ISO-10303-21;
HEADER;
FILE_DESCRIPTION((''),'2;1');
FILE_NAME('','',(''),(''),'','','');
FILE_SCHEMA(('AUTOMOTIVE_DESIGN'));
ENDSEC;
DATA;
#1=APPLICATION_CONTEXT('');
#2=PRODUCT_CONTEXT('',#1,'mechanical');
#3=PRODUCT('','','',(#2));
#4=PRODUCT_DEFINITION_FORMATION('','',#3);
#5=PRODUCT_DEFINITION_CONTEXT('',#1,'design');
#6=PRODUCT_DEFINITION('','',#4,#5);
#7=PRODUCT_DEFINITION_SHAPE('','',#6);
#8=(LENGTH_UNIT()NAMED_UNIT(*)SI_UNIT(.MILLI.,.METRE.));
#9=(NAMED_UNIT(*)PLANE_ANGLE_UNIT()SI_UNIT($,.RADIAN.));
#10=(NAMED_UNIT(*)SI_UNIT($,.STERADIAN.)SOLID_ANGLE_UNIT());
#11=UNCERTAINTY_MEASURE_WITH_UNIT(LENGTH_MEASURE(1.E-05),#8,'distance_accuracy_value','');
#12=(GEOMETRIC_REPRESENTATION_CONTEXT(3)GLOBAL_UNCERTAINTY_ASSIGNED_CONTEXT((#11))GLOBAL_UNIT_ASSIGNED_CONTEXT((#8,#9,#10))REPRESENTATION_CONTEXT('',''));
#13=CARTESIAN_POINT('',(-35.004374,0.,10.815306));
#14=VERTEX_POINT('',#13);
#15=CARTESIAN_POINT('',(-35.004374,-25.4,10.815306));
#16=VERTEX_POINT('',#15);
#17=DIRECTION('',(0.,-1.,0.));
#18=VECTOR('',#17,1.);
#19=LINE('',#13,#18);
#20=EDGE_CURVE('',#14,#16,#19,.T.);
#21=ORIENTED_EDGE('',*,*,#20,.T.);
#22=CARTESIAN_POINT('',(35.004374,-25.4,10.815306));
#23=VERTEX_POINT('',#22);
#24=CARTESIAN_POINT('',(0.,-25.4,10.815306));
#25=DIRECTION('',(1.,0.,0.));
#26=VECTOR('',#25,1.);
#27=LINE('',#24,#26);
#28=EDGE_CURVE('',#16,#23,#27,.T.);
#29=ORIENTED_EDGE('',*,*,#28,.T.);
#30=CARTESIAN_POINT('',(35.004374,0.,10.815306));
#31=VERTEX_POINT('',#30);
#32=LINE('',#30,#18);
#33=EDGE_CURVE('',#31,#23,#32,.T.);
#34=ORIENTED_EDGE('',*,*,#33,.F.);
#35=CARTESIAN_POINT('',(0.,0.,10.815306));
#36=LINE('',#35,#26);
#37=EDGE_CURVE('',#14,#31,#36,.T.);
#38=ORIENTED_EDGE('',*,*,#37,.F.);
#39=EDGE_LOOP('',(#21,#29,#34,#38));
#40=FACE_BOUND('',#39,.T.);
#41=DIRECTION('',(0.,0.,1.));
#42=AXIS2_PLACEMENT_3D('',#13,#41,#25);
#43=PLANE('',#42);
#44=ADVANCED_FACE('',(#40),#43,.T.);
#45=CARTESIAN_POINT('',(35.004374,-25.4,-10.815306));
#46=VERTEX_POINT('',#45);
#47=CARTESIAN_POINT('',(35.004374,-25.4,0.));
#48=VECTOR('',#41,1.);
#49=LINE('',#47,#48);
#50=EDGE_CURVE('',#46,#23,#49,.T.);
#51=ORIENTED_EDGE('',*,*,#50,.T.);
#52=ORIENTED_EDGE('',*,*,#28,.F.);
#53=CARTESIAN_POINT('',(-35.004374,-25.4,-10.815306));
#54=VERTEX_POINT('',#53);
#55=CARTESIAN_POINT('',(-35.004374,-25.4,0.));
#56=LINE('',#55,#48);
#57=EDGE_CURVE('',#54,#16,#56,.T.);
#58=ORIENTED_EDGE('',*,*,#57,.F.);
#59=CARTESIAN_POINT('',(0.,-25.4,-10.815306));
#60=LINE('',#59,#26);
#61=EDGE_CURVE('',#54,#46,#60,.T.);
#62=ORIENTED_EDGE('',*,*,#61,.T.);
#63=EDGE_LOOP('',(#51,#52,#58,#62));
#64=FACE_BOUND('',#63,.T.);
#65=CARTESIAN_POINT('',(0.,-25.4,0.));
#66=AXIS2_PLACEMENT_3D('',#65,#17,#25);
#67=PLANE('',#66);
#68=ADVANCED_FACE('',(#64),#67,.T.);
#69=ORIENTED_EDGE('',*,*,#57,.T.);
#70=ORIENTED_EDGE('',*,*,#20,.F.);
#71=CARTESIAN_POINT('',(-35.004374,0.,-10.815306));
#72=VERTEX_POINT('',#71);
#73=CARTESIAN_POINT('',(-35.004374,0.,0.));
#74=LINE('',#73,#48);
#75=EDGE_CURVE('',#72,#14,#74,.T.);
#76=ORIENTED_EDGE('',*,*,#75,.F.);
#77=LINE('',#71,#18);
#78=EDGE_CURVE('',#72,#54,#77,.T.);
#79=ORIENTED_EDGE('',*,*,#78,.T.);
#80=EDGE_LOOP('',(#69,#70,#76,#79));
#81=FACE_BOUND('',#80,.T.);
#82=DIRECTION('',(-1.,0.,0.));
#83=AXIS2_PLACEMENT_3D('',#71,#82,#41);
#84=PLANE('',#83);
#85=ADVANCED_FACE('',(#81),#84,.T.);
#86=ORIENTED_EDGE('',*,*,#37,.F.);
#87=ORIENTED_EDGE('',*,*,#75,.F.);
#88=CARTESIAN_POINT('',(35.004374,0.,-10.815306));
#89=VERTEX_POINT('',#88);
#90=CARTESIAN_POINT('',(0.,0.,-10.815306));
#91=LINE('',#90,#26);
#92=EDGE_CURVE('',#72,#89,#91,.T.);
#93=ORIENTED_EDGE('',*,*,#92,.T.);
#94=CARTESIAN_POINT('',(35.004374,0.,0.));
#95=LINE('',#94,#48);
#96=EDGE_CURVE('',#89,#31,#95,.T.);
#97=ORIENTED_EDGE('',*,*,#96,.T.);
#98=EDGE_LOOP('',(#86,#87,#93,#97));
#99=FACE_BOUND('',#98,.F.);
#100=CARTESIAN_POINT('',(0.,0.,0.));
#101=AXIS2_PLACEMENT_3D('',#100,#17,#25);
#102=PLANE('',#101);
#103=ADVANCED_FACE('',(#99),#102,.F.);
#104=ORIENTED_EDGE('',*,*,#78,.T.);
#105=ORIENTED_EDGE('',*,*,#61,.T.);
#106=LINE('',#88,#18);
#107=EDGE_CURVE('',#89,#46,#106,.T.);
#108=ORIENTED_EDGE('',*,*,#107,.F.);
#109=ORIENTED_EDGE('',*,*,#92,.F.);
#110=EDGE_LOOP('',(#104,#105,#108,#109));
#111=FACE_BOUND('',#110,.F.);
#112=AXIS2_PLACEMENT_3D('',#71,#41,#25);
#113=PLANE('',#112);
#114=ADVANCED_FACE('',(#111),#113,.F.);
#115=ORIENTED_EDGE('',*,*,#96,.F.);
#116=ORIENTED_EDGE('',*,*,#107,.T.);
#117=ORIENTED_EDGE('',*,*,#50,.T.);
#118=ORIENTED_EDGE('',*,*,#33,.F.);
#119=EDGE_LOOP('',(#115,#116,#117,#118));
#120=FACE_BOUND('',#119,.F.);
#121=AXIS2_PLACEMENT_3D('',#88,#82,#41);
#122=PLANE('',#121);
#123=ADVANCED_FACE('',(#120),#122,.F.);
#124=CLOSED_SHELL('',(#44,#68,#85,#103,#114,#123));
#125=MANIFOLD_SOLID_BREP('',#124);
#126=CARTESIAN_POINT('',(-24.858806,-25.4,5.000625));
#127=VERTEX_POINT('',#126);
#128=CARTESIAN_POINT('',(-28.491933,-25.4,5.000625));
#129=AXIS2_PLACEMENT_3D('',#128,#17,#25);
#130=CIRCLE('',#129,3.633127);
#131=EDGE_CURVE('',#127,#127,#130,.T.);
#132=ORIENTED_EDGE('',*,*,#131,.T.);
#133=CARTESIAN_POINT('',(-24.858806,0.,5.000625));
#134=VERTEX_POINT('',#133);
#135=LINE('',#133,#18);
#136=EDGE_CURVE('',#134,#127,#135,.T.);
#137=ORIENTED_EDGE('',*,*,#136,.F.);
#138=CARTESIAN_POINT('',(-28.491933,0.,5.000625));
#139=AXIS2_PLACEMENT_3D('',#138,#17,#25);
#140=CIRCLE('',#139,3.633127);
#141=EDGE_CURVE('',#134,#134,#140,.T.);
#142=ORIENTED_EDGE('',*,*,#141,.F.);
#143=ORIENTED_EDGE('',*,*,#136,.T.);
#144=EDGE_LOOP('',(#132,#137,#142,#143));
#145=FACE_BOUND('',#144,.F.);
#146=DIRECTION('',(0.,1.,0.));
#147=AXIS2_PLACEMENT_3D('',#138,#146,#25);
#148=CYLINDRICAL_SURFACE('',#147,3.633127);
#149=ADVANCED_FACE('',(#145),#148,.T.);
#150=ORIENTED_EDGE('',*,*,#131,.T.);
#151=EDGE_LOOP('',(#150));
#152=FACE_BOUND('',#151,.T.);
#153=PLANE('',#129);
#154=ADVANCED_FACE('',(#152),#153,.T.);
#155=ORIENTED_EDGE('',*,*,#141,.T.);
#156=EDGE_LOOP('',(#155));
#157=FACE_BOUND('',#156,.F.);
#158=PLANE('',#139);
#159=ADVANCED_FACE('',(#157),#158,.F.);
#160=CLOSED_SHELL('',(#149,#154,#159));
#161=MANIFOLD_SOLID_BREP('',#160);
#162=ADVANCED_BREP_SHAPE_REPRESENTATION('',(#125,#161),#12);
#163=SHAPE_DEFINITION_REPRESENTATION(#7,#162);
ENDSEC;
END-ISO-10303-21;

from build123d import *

# Parameters (mm, degrees)
F0_W     = 70.008748
F0_H     = 21.630612
F1_DEPTH = 25.4
F2_R     = 3.633127
F3_DEPTH = 25.4


with BuildPart() as f1:
    # F0 (on Front) → F1 (new body)
    with BuildSketch(Plane.XZ):
        Rectangle(F0_W, F0_H)
    extrude(amount=F1_DEPTH)


with BuildPart() as f3:
    # F2 (on Front) → F3 (new body)
    with BuildSketch(Plane.XZ):
        with Locations((-28.491933, 5.000625)):
            Circle(F2_R)
    extrude(amount=F3_DEPTH)


solid = Compound([f1.part, f3.part])
